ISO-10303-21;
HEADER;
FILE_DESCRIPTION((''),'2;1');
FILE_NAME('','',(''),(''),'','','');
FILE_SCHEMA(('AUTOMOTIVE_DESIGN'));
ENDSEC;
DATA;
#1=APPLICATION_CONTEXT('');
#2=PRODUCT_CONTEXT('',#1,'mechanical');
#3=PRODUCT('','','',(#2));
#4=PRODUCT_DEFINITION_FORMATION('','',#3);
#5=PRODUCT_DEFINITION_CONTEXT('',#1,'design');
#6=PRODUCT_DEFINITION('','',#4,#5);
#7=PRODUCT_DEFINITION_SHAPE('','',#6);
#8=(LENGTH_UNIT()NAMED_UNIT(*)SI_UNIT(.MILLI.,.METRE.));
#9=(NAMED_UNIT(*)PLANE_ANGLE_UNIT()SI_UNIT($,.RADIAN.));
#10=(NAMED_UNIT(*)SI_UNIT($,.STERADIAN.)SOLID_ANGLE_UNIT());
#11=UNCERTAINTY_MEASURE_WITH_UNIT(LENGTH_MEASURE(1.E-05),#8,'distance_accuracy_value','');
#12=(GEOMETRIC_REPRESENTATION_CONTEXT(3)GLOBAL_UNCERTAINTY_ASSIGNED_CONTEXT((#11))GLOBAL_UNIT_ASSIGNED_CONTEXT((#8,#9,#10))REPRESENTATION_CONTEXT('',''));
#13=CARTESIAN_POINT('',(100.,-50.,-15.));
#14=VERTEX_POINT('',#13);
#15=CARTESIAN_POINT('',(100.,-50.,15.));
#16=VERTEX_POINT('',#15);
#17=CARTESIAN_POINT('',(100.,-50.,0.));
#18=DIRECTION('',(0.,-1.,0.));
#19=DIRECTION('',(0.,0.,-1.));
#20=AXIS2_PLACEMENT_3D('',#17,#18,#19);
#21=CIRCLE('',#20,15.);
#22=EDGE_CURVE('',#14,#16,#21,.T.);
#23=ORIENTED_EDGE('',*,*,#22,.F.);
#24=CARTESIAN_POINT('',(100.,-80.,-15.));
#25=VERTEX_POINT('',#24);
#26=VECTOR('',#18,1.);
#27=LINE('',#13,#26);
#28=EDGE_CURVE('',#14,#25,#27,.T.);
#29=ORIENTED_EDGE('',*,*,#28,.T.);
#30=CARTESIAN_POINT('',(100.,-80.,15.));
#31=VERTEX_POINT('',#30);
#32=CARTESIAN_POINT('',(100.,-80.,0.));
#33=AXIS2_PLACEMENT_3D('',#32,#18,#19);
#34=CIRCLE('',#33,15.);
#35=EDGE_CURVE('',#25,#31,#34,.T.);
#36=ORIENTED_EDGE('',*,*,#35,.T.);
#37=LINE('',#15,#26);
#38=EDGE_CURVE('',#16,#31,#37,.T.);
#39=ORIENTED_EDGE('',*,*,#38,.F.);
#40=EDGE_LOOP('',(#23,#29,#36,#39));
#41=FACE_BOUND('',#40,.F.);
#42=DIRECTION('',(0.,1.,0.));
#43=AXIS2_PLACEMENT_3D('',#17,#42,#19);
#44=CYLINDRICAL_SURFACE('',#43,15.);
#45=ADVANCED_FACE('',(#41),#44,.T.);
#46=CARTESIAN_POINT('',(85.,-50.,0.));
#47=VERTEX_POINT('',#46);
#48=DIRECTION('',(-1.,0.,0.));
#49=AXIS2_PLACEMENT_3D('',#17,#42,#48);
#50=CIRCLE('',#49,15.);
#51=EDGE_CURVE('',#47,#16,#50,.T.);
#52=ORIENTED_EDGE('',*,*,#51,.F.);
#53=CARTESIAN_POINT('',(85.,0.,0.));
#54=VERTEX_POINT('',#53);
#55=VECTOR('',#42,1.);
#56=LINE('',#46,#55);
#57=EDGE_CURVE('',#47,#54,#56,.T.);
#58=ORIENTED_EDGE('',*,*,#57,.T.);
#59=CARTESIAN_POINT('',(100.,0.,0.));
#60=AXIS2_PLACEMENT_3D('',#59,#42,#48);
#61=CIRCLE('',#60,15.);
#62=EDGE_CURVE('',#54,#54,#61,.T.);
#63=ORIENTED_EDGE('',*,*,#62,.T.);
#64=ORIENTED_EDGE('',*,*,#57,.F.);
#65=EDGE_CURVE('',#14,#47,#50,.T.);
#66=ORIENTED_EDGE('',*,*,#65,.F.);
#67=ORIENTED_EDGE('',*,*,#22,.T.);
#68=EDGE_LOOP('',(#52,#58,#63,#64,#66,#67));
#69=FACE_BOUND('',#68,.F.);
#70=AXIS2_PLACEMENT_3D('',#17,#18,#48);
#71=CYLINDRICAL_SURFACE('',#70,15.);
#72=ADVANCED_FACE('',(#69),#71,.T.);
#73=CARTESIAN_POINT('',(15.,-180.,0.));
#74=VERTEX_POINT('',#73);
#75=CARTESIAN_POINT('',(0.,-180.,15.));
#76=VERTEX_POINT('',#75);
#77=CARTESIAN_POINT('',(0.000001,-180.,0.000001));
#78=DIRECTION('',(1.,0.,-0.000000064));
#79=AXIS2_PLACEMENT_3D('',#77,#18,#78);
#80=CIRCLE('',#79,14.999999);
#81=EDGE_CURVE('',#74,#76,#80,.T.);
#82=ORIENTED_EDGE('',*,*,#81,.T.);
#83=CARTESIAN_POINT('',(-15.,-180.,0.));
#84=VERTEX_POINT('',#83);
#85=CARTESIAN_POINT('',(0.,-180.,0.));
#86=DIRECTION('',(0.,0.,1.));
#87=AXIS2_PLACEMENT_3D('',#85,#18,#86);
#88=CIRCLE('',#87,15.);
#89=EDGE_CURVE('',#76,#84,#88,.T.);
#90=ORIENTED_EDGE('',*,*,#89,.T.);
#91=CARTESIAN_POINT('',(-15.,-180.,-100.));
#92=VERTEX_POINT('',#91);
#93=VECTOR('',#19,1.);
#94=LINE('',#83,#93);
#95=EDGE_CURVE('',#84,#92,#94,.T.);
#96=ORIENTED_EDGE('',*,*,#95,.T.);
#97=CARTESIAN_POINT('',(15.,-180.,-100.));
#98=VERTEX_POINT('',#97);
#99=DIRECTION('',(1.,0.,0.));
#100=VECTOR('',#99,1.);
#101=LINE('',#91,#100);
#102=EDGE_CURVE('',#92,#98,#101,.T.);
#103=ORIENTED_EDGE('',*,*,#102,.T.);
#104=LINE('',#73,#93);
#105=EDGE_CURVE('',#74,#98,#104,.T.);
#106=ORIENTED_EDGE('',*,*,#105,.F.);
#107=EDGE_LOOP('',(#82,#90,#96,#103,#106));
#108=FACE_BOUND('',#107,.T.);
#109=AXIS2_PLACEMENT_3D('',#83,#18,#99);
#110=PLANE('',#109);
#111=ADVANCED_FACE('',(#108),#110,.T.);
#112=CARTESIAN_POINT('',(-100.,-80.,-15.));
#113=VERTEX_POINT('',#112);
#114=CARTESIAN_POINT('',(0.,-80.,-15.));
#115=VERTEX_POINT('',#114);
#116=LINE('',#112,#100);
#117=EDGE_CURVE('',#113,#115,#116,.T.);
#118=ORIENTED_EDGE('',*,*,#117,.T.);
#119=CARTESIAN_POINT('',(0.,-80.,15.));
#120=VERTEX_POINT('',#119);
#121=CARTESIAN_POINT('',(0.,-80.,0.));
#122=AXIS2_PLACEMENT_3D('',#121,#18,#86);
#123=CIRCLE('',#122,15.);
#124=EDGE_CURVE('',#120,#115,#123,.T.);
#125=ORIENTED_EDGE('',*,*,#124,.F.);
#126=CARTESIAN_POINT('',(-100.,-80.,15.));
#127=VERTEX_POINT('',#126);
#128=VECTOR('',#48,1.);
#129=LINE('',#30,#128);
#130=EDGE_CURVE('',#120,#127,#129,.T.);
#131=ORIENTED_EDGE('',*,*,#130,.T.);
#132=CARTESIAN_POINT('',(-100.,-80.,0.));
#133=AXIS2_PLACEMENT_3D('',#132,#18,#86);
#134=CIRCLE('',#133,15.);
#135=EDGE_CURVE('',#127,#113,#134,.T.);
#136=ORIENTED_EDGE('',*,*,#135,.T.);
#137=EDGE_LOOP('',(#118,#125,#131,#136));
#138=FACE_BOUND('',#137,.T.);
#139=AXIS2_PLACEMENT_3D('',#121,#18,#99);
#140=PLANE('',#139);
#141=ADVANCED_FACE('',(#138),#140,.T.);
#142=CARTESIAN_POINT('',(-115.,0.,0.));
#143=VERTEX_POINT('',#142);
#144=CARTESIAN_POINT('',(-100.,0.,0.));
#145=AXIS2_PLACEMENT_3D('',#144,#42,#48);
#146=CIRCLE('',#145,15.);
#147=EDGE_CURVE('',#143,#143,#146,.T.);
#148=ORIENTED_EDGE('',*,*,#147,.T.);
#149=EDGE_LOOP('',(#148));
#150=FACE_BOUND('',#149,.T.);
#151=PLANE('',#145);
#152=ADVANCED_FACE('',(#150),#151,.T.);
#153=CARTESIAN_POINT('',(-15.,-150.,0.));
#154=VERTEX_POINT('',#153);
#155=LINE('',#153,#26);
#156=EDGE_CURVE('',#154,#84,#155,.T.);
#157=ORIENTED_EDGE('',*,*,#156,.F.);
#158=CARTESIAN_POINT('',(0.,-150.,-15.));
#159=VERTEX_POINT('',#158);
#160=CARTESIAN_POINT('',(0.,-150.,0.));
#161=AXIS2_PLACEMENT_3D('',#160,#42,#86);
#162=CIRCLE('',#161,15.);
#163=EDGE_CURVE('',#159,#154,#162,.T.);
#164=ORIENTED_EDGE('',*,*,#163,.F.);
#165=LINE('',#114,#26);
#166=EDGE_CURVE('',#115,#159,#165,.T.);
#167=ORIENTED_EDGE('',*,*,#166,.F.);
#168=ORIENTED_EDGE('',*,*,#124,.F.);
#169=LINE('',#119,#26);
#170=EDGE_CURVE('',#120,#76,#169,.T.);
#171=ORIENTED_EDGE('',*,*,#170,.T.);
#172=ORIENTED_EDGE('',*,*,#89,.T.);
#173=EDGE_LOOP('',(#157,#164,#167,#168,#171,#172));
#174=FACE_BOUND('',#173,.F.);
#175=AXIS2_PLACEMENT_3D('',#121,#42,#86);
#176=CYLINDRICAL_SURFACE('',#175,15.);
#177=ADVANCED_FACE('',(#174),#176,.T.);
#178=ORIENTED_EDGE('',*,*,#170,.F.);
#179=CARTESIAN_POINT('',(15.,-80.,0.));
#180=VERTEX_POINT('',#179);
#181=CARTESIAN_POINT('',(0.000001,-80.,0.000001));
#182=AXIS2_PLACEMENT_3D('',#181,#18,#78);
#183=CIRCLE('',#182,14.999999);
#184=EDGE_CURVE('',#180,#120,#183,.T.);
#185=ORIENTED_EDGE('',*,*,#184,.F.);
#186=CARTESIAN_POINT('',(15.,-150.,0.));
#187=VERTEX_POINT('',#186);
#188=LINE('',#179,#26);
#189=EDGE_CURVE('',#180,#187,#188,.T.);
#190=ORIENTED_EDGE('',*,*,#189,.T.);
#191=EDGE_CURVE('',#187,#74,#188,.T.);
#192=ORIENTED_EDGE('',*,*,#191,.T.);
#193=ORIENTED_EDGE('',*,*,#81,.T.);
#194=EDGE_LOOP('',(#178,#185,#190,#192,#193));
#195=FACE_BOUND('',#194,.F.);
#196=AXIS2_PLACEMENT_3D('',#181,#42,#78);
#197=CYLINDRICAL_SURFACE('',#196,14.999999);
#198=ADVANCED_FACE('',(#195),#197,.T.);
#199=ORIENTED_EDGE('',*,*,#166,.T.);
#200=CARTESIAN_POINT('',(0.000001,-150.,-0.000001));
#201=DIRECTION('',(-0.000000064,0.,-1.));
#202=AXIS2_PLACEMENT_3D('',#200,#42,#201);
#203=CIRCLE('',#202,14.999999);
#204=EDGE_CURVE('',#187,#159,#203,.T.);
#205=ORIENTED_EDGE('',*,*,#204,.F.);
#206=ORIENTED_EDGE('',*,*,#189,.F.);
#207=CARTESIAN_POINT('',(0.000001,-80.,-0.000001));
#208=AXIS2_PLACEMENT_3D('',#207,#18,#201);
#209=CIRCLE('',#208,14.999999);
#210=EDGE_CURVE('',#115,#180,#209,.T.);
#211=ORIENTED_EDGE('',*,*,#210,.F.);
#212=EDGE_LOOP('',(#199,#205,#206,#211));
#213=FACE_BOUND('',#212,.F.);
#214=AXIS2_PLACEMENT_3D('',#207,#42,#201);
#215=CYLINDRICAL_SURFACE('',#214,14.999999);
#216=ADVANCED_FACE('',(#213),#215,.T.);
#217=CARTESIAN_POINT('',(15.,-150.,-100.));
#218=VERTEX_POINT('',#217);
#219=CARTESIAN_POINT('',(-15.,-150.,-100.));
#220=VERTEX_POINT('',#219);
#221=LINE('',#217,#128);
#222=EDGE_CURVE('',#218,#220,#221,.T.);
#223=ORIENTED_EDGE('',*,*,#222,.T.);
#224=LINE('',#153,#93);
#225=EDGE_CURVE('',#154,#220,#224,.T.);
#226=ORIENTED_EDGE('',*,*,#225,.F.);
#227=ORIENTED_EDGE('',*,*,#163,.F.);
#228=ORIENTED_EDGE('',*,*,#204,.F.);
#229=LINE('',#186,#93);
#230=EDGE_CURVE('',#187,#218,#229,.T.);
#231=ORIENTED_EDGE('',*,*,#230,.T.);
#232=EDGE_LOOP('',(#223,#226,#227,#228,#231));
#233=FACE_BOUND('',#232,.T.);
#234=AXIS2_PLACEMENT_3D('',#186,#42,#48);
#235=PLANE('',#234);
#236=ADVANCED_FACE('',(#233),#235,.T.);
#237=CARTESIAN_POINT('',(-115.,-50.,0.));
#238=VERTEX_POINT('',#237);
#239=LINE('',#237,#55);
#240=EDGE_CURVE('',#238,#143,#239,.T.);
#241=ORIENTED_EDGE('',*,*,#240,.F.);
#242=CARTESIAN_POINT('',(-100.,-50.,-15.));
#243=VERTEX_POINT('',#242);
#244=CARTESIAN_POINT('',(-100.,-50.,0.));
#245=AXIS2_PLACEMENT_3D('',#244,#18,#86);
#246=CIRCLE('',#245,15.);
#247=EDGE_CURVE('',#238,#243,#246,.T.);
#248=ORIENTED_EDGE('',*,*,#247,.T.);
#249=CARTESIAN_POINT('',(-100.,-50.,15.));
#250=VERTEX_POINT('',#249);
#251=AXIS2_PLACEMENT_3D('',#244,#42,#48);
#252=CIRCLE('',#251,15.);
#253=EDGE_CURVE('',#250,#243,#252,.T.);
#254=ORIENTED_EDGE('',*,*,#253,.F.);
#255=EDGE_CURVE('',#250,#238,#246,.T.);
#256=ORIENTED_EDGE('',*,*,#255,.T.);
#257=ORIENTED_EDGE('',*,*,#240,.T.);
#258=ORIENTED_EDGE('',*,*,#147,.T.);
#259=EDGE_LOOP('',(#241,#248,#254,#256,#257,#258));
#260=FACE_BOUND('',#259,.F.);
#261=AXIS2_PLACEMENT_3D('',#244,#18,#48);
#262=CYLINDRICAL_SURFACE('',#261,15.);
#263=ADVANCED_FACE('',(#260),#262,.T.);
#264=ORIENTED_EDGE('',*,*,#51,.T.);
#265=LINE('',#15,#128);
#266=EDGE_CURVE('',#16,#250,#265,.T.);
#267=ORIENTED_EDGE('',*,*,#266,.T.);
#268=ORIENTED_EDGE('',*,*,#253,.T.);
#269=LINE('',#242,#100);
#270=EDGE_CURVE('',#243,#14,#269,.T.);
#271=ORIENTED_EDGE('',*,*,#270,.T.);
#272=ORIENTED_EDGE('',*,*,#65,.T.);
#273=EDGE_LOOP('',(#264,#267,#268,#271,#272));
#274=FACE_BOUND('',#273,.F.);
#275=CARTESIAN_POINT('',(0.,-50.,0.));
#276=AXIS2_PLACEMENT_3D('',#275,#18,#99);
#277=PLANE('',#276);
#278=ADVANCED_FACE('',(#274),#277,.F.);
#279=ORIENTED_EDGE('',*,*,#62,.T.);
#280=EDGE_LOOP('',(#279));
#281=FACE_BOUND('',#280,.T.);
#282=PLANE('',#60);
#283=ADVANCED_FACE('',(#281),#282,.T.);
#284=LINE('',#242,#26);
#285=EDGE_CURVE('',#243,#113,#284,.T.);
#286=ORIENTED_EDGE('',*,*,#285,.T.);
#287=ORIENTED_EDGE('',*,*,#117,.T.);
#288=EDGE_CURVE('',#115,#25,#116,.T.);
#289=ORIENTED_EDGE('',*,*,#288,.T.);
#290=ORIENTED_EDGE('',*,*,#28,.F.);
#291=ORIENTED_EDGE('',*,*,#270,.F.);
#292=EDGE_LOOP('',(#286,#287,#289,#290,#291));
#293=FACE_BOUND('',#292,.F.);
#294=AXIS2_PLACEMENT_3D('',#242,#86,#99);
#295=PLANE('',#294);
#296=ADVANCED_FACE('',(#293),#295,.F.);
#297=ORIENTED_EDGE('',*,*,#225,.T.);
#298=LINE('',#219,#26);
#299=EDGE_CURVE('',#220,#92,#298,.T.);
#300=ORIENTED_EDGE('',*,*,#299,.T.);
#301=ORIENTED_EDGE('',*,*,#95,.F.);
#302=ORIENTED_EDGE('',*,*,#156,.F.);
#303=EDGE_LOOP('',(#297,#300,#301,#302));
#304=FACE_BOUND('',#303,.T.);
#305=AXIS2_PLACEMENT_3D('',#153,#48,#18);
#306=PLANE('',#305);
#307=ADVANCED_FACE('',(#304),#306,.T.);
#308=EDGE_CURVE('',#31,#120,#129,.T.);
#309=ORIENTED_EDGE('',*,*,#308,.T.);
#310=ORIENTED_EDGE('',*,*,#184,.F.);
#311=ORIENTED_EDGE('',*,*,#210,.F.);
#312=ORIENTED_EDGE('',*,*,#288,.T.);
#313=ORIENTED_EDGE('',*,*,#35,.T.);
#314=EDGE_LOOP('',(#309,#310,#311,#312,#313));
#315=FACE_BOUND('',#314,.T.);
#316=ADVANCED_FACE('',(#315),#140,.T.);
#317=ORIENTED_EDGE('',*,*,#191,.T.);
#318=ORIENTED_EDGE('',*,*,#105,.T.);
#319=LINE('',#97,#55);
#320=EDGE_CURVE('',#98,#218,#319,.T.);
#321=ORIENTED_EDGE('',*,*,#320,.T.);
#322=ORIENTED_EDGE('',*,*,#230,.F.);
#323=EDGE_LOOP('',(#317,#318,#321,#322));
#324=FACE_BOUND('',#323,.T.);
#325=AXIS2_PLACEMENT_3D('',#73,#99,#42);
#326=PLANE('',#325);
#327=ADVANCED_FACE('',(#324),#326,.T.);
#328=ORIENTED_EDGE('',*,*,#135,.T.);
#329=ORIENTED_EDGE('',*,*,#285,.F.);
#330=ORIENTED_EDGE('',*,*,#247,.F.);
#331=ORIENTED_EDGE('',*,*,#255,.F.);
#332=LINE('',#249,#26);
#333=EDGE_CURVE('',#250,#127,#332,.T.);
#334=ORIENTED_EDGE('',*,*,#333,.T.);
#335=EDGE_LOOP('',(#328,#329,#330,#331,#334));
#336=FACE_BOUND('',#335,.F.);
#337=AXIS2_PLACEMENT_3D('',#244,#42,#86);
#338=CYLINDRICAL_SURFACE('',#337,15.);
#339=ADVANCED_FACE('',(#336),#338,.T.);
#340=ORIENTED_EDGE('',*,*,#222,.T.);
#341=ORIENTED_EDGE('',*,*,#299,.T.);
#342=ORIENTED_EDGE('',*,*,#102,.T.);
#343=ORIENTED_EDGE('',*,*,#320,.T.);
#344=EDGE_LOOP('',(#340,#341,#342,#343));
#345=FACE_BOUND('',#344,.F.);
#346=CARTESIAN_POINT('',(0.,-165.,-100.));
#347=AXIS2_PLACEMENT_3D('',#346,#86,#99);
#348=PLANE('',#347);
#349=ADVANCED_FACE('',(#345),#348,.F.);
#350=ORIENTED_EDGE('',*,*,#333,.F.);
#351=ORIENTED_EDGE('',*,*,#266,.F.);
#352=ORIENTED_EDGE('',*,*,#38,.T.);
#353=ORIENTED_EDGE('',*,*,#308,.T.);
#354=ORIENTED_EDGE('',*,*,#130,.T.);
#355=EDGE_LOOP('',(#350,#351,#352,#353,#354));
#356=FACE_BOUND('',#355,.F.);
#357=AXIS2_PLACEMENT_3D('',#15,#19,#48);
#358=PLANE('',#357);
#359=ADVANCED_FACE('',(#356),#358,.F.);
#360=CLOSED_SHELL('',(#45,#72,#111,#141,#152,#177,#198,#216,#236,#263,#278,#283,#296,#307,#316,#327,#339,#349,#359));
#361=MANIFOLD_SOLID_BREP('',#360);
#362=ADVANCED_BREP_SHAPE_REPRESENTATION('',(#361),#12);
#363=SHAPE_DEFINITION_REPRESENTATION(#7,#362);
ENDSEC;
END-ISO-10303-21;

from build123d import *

# Parameters (mm, degrees)
F2_DEPTH = 30
F4_DEPTH = 100
F6_R     = 15
F7_DEPTH = 50
F9_DEPTH = 100


with BuildPart() as f2:
    # F1 (on offset) → F2 (new body)
    with BuildSketch(Plane.XZ.offset(50)):
        with BuildLine():
            Line((100, 15), (-100, 15))
            ThreePointArc((-100, 15), (-115, 0), (-100, -15))
            Line((-100, -15), (100, -15))
            ThreePointArc((100, -15), (115, 0), (100, 15))
        make_face()
    extrude(amount=F2_DEPTH)

    # F3 (on face) → F4 (join)
    with BuildSketch(Plane.XZ.offset(80)):
        with BuildLine():
            ThreePointArc((0, -15), (10.606602, -10.606602), (15, 0))
            ThreePointArc((15, 0), (10.606602, 10.606602), (0, 15))
            ThreePointArc((0, 15), (-15, 0), (0, -15))
        make_face()
    extrude(amount=F4_DEPTH)

    # F6 (on face) → F7 (join)
    with BuildSketch(Plane(origin=(0, -50, 0), x_dir=(-1, 0, 0), z_dir=(0, 1, 0))):
        with Locations((-100, 0)):
            Circle(F6_R)
        with Locations((100, 0)):
            Circle(F6_R)
    extrude(amount=F7_DEPTH)

    # F8 (on Top) → F9 (join)
    with BuildSketch(Plane.XY):
        Polygon((-15, -180), (0, -180), (15, -180), (15, -150), (-15, -150), align=None)
    extrude(amount=-F9_DEPTH)


solid = f2.part
